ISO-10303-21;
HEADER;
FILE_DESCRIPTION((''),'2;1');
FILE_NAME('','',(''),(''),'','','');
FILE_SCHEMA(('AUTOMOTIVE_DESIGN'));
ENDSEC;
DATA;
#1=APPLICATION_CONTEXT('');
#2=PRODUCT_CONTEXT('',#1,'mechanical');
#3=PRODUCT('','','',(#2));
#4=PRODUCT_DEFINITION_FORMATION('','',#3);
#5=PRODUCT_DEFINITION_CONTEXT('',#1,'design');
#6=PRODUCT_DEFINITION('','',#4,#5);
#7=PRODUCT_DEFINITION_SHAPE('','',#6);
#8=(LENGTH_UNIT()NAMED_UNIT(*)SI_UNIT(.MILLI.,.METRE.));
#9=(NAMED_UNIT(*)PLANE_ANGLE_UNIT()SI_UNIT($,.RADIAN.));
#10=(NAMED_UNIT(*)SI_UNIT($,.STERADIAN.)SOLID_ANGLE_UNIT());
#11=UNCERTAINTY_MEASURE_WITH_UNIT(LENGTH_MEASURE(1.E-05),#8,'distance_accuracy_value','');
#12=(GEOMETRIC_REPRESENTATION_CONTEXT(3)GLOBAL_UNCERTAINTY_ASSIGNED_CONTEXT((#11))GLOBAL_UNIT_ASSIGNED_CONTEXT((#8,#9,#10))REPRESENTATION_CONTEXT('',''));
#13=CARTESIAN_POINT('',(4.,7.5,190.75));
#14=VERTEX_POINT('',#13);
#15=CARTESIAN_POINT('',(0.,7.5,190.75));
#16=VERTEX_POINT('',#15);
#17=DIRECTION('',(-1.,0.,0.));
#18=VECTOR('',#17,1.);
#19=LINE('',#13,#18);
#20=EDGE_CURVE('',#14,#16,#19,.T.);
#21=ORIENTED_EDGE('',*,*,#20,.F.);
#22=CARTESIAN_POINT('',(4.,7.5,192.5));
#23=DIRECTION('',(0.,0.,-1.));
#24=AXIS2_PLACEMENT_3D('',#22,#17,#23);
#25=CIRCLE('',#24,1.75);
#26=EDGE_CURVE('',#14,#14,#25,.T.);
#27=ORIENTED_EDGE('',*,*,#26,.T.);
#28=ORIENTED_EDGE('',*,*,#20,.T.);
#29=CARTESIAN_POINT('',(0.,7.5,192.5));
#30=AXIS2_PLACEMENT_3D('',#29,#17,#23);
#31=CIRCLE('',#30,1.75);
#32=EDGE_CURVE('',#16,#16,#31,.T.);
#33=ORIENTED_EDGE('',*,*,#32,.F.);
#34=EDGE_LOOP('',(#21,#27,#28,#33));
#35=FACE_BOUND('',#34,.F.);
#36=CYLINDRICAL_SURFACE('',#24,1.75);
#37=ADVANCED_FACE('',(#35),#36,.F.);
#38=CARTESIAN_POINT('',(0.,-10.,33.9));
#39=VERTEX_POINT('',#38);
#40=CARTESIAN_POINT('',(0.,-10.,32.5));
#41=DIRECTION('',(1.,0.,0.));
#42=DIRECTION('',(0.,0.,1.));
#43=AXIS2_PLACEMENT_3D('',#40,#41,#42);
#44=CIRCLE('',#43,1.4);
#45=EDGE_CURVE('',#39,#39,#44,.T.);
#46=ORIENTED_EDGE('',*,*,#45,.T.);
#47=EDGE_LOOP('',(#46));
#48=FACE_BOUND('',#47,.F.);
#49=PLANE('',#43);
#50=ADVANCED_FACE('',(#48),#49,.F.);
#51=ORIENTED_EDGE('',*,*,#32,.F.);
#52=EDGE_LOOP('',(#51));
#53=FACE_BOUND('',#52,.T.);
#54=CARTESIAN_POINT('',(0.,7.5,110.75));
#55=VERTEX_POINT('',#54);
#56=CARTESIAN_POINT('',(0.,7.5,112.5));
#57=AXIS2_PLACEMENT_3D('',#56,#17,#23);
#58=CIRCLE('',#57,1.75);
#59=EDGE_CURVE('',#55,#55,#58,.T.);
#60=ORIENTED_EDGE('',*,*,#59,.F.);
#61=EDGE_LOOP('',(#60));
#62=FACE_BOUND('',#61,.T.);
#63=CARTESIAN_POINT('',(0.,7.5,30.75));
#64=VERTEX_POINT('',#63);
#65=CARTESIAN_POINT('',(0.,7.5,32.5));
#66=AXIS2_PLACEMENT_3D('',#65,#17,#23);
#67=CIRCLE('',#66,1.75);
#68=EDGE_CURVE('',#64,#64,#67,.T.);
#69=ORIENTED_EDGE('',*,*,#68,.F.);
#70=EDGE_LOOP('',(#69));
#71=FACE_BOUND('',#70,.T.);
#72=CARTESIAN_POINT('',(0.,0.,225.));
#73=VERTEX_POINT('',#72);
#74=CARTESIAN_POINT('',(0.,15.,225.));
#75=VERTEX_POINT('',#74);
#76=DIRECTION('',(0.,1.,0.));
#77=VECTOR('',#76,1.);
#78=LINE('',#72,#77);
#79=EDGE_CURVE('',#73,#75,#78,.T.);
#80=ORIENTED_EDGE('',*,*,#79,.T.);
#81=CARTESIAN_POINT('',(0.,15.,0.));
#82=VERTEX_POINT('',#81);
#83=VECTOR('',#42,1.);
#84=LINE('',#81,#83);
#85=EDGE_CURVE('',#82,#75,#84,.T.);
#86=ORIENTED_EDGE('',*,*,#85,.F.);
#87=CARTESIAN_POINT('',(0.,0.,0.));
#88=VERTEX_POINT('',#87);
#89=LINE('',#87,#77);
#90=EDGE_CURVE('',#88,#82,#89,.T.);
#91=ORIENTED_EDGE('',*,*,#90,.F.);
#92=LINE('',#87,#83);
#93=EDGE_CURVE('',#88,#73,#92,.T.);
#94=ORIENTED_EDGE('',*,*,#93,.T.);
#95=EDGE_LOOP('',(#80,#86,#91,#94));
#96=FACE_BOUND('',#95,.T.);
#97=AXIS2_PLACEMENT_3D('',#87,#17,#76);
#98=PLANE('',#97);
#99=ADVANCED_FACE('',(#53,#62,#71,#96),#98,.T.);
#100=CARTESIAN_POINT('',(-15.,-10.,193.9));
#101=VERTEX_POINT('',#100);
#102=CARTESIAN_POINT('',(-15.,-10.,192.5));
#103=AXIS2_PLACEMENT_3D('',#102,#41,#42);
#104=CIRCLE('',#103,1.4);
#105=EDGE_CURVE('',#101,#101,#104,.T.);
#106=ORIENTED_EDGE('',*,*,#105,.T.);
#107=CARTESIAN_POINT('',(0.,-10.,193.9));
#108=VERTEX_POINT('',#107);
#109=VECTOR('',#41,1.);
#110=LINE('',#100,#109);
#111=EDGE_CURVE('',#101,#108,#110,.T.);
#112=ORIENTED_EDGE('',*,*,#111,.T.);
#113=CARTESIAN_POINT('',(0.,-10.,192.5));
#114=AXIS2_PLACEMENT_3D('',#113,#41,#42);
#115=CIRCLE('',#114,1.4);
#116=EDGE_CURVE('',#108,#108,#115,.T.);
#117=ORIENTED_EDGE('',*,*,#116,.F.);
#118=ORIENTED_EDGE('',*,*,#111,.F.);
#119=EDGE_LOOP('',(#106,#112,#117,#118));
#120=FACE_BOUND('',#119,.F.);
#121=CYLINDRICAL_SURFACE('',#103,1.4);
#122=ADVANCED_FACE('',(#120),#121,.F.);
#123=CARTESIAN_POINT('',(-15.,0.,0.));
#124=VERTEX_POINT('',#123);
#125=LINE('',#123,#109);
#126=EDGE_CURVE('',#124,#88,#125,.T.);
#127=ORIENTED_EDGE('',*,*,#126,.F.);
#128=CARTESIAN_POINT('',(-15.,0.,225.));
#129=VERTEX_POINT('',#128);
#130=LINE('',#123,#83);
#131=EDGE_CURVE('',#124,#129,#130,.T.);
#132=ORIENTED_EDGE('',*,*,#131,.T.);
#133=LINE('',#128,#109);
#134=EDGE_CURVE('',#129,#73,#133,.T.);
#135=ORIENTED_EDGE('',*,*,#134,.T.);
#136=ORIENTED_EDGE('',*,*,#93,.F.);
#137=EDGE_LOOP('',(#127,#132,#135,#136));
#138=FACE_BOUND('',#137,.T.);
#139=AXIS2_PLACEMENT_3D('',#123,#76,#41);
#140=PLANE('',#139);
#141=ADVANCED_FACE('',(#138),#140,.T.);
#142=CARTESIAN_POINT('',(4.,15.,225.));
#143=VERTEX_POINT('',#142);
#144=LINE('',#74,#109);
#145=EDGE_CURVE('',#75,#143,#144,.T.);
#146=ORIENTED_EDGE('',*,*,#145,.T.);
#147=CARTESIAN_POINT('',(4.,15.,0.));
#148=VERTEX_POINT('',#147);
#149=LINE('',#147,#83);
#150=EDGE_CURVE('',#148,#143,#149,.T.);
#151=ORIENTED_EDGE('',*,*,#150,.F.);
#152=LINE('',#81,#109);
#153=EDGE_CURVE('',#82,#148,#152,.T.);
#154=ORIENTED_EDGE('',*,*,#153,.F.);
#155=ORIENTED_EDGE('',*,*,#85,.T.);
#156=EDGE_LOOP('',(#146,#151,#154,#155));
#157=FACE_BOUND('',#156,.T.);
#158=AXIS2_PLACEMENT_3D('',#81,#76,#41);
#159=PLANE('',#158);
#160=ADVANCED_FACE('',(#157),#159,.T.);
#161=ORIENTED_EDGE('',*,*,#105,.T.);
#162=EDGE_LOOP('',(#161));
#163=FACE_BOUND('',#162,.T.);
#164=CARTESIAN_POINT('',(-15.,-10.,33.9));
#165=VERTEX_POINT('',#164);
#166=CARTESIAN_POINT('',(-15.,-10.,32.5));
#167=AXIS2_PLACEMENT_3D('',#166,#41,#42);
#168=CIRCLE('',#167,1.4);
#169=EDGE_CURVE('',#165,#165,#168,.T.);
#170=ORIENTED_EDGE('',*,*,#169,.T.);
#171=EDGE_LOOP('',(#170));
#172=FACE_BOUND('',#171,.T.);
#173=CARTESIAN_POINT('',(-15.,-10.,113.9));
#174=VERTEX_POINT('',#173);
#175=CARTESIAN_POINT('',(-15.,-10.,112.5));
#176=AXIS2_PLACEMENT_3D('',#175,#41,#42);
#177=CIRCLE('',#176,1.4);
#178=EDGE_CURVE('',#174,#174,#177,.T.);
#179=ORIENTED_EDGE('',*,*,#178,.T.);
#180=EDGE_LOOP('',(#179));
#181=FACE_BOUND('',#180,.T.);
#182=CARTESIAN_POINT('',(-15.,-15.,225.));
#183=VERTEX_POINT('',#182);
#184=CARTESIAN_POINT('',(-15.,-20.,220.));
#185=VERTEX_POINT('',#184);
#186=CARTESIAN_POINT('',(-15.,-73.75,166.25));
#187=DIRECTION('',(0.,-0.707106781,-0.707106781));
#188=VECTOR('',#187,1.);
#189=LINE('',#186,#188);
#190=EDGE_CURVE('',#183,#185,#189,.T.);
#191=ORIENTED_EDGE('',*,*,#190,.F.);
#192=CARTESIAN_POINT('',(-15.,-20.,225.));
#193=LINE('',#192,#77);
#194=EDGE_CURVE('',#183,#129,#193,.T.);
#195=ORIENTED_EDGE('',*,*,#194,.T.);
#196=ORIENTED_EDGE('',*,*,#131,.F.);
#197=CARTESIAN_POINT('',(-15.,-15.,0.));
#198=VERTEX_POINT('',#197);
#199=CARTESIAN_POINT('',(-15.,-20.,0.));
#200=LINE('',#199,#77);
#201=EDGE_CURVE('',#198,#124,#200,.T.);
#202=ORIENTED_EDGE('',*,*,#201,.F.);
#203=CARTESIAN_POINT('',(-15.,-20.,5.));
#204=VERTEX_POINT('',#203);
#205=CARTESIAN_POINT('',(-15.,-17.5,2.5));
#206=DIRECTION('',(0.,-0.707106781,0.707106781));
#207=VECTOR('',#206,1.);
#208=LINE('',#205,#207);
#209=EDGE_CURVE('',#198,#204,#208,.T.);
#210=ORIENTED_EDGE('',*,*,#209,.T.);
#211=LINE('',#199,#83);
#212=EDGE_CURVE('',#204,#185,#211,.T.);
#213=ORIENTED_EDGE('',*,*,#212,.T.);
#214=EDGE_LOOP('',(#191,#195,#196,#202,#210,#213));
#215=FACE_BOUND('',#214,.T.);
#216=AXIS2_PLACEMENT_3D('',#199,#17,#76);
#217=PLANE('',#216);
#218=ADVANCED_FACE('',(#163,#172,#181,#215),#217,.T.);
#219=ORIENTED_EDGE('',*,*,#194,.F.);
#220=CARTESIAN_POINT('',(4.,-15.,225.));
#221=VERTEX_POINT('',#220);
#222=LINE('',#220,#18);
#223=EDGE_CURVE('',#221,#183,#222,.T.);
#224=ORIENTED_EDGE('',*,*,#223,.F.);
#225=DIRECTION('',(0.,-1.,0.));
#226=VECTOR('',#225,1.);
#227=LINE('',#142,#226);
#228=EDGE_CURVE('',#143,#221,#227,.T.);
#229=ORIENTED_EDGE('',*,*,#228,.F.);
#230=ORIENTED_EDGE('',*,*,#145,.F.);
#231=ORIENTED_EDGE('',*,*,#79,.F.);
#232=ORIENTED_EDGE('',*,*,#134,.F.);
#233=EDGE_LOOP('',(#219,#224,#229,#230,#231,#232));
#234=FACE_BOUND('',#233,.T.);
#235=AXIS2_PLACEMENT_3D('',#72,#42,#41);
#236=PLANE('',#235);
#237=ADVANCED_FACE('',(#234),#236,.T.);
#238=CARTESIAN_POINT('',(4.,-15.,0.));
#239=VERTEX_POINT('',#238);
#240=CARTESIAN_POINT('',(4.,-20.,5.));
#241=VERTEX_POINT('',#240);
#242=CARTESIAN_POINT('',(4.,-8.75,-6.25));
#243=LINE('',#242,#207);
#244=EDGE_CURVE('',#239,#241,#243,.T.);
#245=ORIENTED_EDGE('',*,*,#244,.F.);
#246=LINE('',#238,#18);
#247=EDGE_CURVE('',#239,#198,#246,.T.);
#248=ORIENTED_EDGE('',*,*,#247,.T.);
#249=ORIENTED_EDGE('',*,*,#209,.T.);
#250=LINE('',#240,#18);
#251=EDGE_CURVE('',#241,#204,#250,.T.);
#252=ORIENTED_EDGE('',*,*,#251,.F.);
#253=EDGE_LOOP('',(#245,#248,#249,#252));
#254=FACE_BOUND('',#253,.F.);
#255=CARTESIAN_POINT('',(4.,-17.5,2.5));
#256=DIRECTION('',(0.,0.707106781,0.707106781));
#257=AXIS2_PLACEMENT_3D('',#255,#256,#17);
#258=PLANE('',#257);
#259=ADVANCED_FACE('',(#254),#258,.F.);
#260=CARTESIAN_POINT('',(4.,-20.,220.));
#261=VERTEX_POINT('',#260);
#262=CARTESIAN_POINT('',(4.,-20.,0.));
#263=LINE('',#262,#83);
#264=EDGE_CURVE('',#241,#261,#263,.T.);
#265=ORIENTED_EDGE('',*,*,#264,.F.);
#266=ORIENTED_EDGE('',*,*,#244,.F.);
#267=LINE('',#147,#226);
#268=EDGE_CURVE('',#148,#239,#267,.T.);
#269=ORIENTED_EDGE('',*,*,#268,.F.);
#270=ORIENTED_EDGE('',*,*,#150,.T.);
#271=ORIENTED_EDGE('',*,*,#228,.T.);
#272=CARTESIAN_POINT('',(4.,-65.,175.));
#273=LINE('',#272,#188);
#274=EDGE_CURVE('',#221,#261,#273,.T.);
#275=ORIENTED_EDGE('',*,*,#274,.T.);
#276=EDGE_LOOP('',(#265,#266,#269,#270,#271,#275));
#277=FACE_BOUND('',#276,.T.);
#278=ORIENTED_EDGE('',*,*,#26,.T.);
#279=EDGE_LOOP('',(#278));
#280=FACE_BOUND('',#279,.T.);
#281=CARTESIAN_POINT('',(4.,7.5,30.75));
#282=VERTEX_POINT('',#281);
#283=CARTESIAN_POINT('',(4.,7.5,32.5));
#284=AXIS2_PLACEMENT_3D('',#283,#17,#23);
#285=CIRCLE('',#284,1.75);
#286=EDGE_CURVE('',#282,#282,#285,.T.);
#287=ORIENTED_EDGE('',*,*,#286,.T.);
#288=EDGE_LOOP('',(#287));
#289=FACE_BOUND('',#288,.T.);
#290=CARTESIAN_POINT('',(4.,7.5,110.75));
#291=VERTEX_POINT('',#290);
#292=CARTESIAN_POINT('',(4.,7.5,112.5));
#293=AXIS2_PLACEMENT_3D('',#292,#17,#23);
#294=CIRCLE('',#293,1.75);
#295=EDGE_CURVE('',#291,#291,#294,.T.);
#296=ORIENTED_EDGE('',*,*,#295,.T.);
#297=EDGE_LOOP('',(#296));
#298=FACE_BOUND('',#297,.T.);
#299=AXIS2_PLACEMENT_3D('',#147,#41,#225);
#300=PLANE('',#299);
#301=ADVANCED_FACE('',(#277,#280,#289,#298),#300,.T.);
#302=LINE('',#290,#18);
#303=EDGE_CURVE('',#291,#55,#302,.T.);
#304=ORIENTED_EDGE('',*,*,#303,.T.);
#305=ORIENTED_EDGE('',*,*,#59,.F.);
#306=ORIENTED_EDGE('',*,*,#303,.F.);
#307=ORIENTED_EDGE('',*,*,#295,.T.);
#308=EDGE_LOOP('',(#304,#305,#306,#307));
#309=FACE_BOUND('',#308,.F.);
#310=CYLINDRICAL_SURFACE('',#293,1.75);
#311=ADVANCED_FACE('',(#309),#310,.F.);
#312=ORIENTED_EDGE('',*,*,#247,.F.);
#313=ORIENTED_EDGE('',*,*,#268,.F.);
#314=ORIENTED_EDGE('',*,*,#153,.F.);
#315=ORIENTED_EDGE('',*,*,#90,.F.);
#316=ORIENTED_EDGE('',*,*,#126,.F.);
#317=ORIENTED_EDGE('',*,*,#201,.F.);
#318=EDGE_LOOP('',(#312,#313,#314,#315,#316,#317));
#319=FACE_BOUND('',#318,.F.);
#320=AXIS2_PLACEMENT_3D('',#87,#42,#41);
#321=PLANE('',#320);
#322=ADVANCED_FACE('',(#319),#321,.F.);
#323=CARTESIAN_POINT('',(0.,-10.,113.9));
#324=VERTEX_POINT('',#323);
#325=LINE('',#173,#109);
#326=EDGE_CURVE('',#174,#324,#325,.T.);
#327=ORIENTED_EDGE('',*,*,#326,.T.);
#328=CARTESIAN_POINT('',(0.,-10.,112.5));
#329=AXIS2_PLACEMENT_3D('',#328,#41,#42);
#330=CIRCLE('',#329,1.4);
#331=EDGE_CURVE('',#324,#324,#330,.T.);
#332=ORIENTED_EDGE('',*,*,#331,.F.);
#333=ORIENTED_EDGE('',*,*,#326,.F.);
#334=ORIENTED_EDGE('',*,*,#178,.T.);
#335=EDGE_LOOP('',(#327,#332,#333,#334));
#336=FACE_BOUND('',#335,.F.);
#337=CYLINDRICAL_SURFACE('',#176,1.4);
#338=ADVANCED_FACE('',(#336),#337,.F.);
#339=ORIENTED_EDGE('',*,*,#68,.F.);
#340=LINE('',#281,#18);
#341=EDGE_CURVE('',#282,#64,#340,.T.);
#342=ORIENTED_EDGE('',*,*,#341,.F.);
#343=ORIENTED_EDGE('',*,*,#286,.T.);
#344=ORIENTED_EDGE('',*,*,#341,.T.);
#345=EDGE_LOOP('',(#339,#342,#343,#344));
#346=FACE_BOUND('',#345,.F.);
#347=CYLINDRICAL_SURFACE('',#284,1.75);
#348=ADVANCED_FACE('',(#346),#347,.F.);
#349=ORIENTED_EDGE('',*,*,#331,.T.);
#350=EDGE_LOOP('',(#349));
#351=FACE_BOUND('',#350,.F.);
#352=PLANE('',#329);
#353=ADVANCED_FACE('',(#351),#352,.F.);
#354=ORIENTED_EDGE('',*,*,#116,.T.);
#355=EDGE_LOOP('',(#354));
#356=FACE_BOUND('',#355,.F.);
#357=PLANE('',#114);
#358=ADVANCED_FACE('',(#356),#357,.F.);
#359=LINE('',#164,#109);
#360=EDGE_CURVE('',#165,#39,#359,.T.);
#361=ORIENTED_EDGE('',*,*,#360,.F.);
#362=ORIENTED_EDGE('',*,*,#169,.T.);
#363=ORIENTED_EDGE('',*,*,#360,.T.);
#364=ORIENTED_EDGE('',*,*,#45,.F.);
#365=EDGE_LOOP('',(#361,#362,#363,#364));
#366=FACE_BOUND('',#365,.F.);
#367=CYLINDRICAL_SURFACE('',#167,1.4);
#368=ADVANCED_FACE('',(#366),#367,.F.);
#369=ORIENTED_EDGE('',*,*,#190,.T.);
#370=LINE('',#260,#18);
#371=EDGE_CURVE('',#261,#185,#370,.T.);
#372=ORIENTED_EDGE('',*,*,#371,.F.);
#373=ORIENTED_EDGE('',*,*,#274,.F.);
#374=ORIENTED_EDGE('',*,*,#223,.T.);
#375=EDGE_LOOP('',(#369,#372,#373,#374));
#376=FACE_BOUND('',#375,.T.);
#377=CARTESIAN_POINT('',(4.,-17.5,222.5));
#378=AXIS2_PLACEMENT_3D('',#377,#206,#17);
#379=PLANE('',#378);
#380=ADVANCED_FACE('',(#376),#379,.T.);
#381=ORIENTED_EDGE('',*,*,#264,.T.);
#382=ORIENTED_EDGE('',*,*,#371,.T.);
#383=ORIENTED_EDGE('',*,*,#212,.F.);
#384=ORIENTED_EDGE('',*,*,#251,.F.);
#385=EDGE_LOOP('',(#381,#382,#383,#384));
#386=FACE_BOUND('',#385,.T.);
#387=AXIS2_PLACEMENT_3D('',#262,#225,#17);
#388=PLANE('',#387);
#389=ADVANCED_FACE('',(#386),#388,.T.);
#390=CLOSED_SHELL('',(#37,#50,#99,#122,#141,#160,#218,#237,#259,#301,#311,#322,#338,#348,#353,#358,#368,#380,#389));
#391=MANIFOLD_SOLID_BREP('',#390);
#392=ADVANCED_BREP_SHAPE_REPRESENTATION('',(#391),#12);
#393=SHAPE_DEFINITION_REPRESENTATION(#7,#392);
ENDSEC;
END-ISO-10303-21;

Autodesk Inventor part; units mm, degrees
ref_plane "YZ Plane" through (0, 0, 0) normal (1, 0, 0) x (0, 1, 0)
ref_plane "XZ Plane" through (0, 0, 0) normal (0, 1, 0) x (-1, 0, 0)
ref_plane "XY Plane" through (0, 0, 0) normal (0, 0, 1) x (1, 0, 0)
sketch "Sketch1" plane through (0, 0, 0) normal (0, 0, 1) x (1, 0, 0)
  line L0 (0, 0) -> (0, 15)
  line L1 (0, 15) -> (4, 15)
  line L2 (4, 15) -> (4, -20)
  line L3 (4, -20) -> (-15, -20)
  line L4 (-15, -20) -> (-15, 0)
  line L5 (-15, 0) -> (0, 0)
  dimension "d0" = 15
  dimension "d1" = 4
  dimension "d2" = 35
extrude "Extrusion1" add sketch "Sketch1" along normal blind 225
sketch "Sketch2" plane through (4, -20, 0) normal (1, 0, 0) x (0, 0, -1)
  line L0 (0, 0) -> (0, 35) projected
  line L1 (0, 35) -> (-225, 35) projected
  line L2 (-225, 0) -> (-225, 35) projected
  line L3 (0, 0) -> (-225, 0) projected
  point P0 (0, 20)
  point P1 (-192.5, 27.5)
  point P2 (-112.5, 27.5)
  point P3 (-32.5, 27.5)
  point P4 (-112.5, 35)
  dimension "d5" = 80
  dimension "d6" = 80
  dimension "d7" = 7.5
hole "Hole1" at (4, 7.5, 192.5) at (4, 7.5, 112.5) at (4, 7.5, 32.5) direction (-1, 0, 0) diameter 3.5 end through all
chamfer "Chamfer1" distance 5 angle 45 2 edges at (-5.5, -20, 225) (-5.5, -20, 0)
sketch "Sketch3" plane through (-15, 0, 0) normal (-1, 0, 0) x (0, 0, 1)
  line L0 (5, -20) -> (220, -20) projected
  line L1 (225, -15) -> (220, -20) projected
  line L2 (225, 0) -> (225, -15) projected
  line L3 (5, -20) -> (0, -15) projected
  line L4 (0, 0) -> (0, -15) projected
  line L5 (0, 0) -> (225, 0) projected
  point P0 (32.5, -10)
  point P1 (112.5, -10)
  point P2 (192.5, -10)
  point P3 (112.5, -20)
  dimension "d18" = 80
  dimension "d19" = 80
  dimension "d20" = 10
hole "Hole2" at (-15, -10, 32.5) at (-15, -10, 112.5) at (-15, -10, 192.5) direction (1, 0, 0) diameter 2.8 depth 15
equation "\"d6\" = d5"
equation "\"d19\" = d18"
properties part number "Toolhead Dock Assembly" material "ABS Plastic"
